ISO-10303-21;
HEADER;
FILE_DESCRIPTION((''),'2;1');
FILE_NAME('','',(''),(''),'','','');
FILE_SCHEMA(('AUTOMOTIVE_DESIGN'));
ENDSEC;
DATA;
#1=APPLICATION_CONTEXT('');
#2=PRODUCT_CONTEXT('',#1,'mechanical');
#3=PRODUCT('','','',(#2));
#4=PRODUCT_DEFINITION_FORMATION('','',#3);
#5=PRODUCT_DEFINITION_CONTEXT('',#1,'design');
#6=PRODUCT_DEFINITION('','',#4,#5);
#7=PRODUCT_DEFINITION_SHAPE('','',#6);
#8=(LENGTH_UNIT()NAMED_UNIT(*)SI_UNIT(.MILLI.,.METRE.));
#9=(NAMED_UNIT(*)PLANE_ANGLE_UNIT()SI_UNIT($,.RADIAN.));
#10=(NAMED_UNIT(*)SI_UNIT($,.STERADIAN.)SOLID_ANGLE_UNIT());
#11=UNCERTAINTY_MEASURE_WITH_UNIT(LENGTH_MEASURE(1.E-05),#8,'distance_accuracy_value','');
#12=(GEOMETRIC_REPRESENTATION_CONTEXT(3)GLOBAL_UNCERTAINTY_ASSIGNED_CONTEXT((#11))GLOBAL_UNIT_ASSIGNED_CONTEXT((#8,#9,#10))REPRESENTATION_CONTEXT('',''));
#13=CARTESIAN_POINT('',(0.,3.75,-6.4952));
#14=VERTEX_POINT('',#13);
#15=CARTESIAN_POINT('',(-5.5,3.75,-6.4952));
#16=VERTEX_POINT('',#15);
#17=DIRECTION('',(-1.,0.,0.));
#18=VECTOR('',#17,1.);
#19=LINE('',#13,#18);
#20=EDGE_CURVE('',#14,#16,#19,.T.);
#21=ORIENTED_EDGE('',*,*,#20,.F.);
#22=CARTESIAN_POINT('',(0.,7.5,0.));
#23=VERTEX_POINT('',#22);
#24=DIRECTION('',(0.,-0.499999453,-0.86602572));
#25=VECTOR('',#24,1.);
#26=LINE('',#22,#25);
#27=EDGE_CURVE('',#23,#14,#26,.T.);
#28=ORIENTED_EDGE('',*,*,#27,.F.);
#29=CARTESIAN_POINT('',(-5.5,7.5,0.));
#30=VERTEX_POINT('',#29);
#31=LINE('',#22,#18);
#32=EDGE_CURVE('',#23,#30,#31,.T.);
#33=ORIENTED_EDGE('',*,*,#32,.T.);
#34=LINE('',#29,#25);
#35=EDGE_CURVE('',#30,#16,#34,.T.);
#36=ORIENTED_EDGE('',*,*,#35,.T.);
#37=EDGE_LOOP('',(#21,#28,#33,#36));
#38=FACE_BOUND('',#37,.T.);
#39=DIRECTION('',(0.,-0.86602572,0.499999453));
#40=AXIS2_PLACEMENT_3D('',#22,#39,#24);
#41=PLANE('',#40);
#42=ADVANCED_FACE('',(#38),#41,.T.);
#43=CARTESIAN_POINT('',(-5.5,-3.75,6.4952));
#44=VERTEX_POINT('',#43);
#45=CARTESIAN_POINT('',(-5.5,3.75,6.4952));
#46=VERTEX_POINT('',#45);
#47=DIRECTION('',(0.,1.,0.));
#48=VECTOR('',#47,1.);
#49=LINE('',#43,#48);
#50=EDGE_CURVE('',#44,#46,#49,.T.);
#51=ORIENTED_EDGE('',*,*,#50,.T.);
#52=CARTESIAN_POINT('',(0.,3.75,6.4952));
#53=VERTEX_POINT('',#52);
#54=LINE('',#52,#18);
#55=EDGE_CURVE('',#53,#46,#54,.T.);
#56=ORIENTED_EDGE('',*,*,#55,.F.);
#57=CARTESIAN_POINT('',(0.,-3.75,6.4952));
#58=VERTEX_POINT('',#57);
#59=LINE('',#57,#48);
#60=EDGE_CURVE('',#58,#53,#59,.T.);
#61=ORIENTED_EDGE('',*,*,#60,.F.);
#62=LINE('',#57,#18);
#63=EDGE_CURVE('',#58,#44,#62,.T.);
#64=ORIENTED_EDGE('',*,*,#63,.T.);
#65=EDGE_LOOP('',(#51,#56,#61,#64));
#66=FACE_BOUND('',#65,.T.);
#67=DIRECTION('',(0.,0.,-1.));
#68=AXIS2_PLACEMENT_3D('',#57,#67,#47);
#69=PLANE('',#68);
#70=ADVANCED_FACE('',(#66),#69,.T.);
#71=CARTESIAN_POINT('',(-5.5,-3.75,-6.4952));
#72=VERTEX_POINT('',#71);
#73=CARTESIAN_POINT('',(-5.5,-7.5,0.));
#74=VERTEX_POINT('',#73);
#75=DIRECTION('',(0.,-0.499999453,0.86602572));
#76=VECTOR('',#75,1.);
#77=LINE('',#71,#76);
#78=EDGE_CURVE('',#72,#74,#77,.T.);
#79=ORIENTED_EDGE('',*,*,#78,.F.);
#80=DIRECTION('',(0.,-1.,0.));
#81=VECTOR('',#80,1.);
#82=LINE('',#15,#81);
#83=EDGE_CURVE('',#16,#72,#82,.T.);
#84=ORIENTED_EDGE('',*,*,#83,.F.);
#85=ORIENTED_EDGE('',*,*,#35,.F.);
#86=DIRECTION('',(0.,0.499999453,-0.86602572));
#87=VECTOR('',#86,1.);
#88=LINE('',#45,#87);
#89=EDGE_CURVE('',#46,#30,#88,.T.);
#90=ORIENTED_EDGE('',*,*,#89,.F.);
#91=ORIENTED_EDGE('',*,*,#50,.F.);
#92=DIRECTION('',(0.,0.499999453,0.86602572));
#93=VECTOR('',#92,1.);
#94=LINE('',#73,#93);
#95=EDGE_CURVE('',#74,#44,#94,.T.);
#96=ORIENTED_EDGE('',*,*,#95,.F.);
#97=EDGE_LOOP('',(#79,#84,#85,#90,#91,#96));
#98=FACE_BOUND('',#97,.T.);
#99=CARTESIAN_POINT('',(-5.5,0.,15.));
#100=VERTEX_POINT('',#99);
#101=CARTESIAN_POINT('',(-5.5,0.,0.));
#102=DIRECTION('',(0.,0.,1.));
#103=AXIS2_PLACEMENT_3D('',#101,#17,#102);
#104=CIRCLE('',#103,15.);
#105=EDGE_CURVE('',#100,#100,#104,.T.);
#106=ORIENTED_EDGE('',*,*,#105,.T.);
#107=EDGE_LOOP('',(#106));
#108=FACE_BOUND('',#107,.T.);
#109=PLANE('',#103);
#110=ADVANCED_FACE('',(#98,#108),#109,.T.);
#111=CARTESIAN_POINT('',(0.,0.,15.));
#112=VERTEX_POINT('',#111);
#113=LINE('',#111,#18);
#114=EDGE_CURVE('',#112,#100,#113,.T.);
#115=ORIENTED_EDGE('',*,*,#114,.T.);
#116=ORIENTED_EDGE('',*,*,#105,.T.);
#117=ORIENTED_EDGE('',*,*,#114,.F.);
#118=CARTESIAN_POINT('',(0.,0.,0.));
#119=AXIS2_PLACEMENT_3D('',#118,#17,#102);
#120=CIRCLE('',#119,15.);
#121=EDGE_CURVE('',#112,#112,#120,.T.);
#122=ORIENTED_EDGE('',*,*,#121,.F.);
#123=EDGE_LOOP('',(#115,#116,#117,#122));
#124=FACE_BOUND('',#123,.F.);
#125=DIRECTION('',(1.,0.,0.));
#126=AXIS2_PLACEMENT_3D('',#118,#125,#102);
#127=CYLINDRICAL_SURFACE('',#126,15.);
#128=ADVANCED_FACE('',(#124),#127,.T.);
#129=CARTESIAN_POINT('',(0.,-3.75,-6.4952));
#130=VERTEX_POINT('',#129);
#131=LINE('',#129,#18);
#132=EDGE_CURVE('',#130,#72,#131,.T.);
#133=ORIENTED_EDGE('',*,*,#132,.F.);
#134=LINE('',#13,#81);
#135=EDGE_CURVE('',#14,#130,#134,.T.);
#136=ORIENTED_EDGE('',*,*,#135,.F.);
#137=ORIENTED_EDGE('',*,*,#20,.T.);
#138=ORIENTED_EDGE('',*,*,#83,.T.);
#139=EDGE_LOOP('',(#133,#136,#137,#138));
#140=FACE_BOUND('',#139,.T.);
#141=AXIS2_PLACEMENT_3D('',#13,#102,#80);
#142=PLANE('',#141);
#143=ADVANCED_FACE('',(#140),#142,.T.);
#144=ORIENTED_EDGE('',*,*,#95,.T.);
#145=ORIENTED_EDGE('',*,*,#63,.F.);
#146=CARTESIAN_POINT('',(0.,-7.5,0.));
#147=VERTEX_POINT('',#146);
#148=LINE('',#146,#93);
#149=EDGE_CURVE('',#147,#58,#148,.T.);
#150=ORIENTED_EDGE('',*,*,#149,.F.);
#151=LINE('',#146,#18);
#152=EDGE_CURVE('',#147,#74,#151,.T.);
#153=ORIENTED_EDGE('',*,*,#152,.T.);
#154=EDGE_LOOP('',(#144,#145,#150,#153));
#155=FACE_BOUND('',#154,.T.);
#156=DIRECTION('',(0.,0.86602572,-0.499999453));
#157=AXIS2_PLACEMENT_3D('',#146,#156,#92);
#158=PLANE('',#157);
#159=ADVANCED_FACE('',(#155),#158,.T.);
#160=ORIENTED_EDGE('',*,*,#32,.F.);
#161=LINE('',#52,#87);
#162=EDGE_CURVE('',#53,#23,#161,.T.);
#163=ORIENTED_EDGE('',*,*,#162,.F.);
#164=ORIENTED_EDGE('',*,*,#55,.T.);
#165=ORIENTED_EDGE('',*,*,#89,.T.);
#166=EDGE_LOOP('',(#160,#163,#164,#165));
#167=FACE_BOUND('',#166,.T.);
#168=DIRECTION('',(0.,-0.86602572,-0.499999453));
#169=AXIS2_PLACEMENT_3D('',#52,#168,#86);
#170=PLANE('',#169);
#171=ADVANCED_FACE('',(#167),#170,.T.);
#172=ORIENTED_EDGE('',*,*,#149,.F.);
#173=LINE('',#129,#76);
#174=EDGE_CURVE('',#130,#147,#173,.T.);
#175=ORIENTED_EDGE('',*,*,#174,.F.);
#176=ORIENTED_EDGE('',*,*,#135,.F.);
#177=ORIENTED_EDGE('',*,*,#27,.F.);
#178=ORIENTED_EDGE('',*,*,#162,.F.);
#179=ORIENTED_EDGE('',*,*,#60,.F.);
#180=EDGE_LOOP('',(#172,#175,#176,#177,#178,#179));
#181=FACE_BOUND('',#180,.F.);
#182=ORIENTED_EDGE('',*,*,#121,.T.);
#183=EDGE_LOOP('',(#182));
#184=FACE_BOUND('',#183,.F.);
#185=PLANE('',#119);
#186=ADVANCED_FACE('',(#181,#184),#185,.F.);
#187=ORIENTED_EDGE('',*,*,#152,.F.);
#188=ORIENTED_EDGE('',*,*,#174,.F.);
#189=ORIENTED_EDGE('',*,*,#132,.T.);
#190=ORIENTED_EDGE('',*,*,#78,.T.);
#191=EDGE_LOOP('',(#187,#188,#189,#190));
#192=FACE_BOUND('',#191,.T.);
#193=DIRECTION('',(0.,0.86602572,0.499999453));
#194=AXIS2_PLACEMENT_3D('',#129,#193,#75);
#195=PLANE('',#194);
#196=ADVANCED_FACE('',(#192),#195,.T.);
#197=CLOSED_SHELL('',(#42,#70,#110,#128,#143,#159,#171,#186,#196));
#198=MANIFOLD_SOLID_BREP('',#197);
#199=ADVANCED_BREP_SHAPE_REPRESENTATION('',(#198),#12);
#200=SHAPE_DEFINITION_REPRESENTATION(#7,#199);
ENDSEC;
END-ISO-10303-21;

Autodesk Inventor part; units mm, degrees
ref_plane "YZ Plane" through (0, 0, 0) normal (1, 0, 0) x (0, 1, 0)
ref_plane "XZ Plane" through (0, 0, 0) normal (0, 1, 0) x (-1, 0, 0)
ref_plane "XY Plane" through (0, 0, 0) normal (0, 0, 1) x (1, 0, 0)
ref_plane "Work Plane1" through (0, 0, 0) normal (-1, 0, 0) x (0, 0, 1)
sketch "Sketch1" plane through (0, 0, 0) normal (-1, 0, 0) x (0, 0, 1)
  circle A0 centre (0, 0) radius 15 projected
  line L0 (-6.4952, 3.75) -> (-6.4952, -3.75) projected
  line L1 (0, 7.5) -> (-6.4952, 3.75) projected
  line L2 (6.4952, 3.75) -> (0, 7.5) projected
  line L3 (6.4952, -3.75) -> (6.4952, 3.75) projected
  line L4 (0, -7.5) -> (6.4952, -3.75) projected
  line L5 (-6.4952, -3.75) -> (0, -7.5) projected
extrude "Extrusion1" add sketch "Sketch1" along normal blind 5.5
properties part number "wheel_gearing_mount_extension"
